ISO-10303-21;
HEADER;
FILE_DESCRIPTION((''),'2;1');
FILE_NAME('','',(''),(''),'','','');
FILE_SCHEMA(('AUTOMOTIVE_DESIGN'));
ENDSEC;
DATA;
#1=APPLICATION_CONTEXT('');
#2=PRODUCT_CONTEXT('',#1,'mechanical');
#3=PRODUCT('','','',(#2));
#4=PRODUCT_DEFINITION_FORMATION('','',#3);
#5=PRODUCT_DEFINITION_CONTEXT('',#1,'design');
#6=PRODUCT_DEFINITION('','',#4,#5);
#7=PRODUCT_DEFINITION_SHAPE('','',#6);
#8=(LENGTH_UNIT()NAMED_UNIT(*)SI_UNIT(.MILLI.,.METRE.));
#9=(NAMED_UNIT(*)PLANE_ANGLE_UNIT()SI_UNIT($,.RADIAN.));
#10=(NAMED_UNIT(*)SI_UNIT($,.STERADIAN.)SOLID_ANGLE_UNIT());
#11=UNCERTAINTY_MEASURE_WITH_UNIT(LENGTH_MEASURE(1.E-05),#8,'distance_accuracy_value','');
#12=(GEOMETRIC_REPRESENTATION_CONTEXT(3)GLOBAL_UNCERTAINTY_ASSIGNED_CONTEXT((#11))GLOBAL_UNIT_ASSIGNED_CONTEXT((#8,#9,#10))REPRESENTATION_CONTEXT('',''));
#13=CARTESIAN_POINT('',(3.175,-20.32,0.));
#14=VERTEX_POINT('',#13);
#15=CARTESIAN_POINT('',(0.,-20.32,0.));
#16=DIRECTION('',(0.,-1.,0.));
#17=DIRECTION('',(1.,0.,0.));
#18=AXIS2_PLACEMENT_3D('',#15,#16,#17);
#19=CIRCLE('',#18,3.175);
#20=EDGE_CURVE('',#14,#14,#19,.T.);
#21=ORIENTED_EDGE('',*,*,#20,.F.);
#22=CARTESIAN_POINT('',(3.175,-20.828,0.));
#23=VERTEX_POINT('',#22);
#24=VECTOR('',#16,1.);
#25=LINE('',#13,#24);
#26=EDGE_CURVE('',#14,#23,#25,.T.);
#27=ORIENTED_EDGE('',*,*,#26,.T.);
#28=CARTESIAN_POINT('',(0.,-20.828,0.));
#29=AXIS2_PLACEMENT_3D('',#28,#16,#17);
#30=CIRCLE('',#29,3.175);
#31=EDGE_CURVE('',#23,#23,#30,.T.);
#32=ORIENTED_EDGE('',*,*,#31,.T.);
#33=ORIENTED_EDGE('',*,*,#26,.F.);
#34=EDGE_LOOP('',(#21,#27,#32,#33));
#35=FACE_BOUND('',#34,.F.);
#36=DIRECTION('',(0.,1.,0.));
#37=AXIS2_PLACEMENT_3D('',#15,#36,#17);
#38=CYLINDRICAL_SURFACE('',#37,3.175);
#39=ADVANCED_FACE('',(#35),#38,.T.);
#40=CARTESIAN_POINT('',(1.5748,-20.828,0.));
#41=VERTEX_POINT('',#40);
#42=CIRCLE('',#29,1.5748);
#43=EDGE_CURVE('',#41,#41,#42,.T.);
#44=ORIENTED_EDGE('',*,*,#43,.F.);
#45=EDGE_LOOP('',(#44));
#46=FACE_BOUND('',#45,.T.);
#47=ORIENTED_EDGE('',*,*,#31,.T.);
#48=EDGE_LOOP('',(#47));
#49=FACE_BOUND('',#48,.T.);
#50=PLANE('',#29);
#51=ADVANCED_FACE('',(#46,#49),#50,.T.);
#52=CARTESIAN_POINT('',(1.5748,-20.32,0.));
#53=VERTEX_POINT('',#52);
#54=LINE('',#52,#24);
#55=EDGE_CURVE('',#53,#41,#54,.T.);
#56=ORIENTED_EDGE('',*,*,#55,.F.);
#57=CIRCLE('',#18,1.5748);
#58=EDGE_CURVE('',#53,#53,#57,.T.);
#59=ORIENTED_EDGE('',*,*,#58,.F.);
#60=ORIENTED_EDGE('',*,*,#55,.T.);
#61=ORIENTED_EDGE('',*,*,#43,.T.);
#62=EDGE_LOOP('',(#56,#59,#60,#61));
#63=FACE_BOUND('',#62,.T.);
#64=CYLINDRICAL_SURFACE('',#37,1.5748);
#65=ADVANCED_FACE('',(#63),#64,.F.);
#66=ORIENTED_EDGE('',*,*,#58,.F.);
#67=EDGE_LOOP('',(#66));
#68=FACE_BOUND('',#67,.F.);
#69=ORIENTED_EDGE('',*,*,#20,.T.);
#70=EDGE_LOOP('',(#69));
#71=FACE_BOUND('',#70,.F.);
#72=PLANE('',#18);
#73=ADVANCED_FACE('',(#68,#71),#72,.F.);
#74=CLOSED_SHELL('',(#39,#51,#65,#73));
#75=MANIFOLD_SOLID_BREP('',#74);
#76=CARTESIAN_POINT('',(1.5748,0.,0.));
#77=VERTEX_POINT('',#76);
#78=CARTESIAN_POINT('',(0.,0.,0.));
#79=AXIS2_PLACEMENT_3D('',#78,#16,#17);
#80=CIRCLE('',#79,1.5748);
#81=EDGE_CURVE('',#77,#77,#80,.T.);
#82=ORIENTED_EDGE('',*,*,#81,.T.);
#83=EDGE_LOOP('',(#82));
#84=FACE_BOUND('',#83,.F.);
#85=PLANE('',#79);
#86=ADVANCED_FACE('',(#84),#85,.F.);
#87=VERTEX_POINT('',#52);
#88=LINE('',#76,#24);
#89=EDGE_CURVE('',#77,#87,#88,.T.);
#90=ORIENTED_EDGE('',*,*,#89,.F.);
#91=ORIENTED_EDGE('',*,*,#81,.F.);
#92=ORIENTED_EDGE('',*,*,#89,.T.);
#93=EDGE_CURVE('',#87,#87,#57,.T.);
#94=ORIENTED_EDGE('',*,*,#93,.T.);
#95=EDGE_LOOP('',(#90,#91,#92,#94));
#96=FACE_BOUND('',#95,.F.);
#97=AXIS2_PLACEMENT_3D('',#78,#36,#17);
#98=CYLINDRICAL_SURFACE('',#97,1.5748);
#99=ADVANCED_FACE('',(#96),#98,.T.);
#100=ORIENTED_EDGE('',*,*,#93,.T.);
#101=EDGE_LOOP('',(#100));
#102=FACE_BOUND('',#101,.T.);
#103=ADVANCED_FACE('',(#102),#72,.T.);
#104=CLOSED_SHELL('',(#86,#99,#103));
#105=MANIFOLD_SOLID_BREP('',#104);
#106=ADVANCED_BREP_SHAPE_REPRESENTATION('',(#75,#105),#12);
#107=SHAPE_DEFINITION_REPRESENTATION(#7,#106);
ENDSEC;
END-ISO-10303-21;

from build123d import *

# Parameters (mm, degrees)
F0_R     = 1.5748
F1_DEPTH = 20.32
F2_R     = 3.175
F2_R_2   = 1.5748
F3_DEPTH = 0.508


with BuildPart() as f1:
    # F0 (on Front) → F1 (new body)
    with BuildSketch(Plane.XZ):
        Circle(F0_R)
    extrude(amount=F1_DEPTH)


with BuildPart() as f3:
    # F2 (on face) → F3 (new body)
    with BuildSketch(Plane.XZ.offset(20.32)):
        Circle(F2_R)
        Circle(F2_R_2, mode=Mode.SUBTRACT)
    extrude(amount=F3_DEPTH)


solid = Compound([f1.part, f3.part])
